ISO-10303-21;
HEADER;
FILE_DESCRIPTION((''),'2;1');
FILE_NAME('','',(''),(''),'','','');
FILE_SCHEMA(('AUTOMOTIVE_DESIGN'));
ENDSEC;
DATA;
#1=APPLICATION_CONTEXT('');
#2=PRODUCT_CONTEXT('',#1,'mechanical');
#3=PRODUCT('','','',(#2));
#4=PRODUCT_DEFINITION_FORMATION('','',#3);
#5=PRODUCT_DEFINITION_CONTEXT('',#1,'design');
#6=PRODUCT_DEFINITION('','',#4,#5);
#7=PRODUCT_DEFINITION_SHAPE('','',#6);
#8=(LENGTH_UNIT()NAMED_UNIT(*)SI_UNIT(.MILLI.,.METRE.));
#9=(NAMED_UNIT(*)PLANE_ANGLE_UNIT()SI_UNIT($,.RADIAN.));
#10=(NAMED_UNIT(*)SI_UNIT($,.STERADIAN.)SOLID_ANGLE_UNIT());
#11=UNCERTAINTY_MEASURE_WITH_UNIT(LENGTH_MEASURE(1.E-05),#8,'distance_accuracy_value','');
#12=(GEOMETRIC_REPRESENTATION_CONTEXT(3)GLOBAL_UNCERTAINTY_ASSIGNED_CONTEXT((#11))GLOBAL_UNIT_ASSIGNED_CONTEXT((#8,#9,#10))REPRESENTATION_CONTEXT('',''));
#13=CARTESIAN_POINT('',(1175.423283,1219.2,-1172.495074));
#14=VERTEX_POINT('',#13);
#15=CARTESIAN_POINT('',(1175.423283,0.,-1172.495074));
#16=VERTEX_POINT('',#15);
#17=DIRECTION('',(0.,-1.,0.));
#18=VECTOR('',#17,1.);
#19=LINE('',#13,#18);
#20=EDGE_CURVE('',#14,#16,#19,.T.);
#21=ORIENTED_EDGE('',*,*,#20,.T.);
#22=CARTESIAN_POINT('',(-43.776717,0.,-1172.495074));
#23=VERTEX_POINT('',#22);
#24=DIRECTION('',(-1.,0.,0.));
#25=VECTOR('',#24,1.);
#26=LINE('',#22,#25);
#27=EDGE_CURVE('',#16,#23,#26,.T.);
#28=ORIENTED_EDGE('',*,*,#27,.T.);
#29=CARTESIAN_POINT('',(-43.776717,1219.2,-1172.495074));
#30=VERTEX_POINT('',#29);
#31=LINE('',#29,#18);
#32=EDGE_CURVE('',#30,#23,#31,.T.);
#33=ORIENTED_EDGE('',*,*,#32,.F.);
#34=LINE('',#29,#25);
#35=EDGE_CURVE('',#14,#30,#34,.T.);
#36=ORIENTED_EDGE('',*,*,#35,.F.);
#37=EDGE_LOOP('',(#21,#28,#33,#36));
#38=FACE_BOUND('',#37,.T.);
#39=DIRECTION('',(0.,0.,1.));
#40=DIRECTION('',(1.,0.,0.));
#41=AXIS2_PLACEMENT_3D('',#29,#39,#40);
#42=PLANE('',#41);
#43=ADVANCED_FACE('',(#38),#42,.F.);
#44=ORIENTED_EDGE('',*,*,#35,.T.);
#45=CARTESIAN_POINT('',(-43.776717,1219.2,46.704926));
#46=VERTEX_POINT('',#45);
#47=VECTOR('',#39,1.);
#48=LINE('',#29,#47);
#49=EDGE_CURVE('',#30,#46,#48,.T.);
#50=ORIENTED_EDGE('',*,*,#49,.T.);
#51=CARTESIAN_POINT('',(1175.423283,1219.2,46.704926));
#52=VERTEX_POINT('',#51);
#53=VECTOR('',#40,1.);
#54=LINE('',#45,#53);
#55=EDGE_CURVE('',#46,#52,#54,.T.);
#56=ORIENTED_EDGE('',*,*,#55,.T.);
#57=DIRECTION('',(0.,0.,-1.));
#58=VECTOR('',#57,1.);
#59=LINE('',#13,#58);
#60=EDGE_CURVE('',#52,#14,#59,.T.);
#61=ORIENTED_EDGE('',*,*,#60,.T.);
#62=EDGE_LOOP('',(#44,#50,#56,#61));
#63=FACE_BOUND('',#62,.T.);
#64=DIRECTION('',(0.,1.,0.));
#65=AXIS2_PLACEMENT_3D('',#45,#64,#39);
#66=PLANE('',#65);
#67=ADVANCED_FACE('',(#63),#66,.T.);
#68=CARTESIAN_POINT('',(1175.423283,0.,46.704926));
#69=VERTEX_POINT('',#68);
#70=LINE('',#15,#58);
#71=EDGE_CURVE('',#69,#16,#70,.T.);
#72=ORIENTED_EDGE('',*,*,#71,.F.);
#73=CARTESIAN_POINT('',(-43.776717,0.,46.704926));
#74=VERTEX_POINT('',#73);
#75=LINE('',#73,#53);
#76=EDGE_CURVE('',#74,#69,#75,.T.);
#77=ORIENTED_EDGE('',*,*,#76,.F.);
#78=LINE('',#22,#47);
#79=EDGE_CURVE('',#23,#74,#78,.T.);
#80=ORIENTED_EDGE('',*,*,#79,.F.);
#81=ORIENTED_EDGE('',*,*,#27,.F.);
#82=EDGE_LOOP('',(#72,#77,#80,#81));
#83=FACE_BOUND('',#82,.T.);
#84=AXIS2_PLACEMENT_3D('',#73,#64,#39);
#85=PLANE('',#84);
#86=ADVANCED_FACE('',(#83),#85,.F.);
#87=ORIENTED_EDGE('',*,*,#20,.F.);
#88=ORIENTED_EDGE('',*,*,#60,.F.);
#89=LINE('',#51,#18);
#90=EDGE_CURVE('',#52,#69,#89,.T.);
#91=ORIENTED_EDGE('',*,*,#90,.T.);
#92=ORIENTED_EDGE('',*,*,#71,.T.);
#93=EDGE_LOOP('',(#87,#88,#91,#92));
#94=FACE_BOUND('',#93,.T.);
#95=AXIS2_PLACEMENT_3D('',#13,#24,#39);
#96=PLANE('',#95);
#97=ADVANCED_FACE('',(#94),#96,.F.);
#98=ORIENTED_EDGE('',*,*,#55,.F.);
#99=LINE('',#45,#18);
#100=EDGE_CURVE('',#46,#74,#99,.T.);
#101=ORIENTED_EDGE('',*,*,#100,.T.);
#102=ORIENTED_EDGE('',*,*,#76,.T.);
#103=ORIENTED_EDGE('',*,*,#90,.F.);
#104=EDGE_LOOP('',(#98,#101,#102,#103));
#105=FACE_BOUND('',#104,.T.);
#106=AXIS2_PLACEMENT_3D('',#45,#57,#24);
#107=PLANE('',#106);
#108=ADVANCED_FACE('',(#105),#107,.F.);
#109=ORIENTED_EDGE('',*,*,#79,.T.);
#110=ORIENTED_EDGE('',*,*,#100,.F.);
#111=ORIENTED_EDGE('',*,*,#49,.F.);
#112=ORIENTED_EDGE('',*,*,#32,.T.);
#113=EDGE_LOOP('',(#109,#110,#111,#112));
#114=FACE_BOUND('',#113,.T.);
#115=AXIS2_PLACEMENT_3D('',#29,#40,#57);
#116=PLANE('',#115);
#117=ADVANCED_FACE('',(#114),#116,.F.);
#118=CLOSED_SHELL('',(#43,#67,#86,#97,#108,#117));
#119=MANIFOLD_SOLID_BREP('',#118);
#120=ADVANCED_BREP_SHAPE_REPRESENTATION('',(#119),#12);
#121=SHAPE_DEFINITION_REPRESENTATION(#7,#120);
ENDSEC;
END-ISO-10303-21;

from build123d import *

# Parameters (mm, degrees)
SKETCH1_W           = 1219.2
SKETCH1_H           = 1219.2
BOSS_EXTRUDE1_DEPTH = 1219.2


with BuildPart() as part:
    # Sketch1 → Boss-Extrude1 (new body)
    with BuildSketch(Plane(origin=(0, 0, 0), x_dir=(1, 0, 0), z_dir=(0, 1, 0))):
        with Locations((565.8232827, 562.895074185)):
            Rectangle(SKETCH1_W, SKETCH1_H)
    extrude(amount=BOSS_EXTRUDE1_DEPTH)


solid = part.part
